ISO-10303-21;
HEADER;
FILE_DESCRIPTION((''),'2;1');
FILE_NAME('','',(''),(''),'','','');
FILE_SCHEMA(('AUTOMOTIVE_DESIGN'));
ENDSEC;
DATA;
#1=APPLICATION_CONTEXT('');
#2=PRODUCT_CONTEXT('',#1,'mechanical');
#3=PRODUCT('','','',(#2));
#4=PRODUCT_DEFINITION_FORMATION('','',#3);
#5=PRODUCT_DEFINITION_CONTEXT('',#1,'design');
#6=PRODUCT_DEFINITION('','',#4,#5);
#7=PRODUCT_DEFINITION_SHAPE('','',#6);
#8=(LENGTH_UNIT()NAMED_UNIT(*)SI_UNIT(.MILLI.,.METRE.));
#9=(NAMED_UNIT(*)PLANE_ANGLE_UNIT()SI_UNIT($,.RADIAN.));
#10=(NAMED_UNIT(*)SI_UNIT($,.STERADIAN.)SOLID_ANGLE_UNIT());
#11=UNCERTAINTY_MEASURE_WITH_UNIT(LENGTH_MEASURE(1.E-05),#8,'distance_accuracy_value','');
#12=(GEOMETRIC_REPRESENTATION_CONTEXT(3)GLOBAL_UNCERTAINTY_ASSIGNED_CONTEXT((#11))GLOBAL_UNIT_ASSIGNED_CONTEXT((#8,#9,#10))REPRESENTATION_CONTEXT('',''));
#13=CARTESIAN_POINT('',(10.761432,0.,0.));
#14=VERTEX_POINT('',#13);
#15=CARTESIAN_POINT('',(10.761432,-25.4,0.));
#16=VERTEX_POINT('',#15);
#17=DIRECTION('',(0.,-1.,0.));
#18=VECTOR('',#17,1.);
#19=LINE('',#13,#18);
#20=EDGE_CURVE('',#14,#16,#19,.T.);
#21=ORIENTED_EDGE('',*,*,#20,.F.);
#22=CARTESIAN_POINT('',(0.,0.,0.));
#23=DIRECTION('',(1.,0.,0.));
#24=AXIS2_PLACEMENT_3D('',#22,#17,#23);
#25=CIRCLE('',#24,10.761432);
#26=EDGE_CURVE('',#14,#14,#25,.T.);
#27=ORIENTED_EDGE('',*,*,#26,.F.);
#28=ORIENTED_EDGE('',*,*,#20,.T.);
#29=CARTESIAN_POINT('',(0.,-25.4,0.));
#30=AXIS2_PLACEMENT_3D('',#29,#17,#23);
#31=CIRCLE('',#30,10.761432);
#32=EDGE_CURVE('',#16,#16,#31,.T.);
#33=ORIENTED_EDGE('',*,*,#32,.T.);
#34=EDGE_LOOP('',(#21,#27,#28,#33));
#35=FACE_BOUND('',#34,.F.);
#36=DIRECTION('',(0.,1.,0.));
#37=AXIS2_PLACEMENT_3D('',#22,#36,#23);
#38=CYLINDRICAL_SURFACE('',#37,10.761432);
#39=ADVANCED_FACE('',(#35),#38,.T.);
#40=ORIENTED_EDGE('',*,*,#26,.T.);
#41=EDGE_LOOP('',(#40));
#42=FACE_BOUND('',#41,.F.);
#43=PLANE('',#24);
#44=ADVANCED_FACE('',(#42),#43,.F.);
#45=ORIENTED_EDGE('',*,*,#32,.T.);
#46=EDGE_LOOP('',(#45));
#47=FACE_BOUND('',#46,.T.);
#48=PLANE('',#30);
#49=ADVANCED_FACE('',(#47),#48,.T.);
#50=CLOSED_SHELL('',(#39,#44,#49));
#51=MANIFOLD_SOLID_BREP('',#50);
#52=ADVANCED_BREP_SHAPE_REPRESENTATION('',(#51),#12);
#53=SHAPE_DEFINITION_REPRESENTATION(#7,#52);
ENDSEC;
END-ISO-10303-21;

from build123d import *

# Parameters (mm, degrees)
F0_R     = 10.761432
F1_DEPTH = 25.4
F2_DEPTH = 25.4


with BuildPart() as f1:
    # F0 (on Front) → F1 (new body)
    with BuildSketch(Plane.XZ):
        Circle(F0_R)
    extrude(amount=F1_DEPTH)

    # F0 (on Front) → F2 (join)
    with BuildSketch(Plane.XZ):
        Circle(F0_R)
    extrude(amount=F2_DEPTH)


solid = f1.part
